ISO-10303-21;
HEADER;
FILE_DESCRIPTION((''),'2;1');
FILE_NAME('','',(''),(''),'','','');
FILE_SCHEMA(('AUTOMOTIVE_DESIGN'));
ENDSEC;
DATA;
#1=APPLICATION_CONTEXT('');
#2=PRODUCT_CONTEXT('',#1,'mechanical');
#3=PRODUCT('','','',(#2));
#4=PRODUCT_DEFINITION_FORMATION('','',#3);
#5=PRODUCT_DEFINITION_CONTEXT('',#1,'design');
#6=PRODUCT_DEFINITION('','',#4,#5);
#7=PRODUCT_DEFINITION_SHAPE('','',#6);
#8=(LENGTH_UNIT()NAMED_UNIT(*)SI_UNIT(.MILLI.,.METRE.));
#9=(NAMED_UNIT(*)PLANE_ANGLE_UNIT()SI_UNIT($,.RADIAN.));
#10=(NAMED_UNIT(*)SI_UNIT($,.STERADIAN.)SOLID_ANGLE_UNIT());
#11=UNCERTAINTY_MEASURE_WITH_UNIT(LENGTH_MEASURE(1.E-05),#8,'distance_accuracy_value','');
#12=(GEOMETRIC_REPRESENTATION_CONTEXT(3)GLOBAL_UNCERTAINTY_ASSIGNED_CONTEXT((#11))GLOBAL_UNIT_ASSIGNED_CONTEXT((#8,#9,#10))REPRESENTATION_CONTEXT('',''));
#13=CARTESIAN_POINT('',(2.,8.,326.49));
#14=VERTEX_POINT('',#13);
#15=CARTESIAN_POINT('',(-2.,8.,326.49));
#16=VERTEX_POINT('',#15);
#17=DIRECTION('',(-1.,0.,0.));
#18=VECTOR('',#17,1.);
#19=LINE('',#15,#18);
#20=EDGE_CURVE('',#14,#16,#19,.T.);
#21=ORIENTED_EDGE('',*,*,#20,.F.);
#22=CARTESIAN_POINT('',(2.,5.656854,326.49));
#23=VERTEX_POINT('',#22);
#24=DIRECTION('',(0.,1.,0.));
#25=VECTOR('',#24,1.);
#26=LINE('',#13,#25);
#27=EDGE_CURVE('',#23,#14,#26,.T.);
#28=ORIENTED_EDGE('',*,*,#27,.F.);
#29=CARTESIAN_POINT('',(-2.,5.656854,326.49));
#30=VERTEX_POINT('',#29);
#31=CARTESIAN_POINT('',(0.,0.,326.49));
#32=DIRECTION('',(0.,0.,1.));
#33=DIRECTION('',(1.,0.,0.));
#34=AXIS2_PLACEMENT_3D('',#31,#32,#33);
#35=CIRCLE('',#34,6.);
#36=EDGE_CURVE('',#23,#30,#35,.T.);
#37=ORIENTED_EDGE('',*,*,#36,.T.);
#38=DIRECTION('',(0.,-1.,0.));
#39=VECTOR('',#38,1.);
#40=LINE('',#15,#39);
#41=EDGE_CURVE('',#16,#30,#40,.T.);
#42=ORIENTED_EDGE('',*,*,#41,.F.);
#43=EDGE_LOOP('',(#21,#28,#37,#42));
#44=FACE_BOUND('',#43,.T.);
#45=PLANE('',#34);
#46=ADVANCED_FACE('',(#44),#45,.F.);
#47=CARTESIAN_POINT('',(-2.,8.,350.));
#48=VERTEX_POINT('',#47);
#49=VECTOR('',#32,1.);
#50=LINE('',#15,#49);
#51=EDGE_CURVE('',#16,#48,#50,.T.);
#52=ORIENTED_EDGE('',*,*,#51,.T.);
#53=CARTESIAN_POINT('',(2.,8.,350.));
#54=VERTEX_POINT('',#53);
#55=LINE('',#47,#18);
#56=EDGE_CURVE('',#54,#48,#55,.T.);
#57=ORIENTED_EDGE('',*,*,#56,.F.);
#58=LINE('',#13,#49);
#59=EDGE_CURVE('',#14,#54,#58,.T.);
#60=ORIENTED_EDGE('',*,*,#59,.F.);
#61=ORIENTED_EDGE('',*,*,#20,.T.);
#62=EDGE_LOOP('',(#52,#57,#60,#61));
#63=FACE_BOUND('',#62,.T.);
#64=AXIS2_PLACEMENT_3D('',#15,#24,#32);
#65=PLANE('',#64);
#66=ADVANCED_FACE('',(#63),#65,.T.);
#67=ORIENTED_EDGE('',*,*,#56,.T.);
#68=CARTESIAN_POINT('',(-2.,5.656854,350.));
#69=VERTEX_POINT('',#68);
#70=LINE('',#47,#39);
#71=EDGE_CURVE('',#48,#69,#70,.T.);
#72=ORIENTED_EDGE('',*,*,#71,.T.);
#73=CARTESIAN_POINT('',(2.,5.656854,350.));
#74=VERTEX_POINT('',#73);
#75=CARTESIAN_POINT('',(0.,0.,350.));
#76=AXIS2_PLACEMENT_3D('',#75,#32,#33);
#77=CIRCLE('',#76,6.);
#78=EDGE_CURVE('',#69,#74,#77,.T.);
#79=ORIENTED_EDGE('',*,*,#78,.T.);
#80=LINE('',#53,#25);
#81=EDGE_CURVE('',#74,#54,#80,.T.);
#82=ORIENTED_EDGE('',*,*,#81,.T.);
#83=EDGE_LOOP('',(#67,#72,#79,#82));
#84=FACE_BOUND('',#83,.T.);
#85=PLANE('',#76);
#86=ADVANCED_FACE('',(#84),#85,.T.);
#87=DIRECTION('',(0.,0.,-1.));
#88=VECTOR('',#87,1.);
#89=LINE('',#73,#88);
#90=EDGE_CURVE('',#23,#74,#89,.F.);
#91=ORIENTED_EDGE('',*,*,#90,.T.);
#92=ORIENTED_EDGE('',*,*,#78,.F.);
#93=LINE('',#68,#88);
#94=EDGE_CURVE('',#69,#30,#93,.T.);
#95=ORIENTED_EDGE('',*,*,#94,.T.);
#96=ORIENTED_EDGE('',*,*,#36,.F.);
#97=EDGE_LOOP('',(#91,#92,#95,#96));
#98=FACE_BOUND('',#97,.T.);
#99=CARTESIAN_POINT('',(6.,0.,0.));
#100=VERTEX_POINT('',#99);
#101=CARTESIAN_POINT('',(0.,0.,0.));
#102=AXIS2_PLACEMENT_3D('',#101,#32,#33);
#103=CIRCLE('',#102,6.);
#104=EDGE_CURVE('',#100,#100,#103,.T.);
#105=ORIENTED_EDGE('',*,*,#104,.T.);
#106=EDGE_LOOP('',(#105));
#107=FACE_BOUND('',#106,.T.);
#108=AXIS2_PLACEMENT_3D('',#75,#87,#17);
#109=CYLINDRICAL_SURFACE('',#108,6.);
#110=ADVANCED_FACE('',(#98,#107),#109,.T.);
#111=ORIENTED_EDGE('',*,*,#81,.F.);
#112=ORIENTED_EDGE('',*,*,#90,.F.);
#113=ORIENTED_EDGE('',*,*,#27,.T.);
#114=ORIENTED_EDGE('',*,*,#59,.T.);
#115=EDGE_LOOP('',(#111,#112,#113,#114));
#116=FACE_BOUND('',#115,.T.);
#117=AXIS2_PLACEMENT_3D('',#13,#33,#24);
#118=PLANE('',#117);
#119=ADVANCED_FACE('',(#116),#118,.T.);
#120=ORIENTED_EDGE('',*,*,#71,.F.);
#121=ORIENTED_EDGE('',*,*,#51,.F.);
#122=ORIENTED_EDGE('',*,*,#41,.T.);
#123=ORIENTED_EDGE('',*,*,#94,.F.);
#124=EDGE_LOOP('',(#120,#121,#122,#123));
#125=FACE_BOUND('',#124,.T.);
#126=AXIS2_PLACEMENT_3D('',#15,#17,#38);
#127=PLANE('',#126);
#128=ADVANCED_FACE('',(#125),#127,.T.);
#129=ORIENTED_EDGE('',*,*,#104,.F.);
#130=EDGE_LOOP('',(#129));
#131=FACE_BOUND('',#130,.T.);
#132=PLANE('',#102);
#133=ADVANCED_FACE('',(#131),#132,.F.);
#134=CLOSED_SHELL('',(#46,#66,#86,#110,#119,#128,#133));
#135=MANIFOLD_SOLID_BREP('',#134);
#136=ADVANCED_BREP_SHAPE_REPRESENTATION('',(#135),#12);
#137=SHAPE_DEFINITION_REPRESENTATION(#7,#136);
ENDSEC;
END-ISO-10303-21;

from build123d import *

# Parameters (mm, degrees)
SKETCH_1_R      = 6
EXTRUDE_1_DEPTH = 350
SKETCH_2_W      = 4
SKETCH_2_H      = 9.160592614
EXTRUDE_2_DEPTH = 23.51


with BuildPart() as part:
    # 草图1 → 凸台-拉伸1 (new body)
    with BuildSketch(Plane.XY):
        Circle(SKETCH_1_R)
    extrude(amount=EXTRUDE_1_DEPTH)

    # 草图2 → 凸台-拉伸2 (add)
    with BuildSketch(Plane.XY.offset(350)):
        with Locations((0, 3.419703693)):
            Rectangle(SKETCH_2_W, SKETCH_2_H)
    extrude(amount=-EXTRUDE_2_DEPTH)


solid = part.part
